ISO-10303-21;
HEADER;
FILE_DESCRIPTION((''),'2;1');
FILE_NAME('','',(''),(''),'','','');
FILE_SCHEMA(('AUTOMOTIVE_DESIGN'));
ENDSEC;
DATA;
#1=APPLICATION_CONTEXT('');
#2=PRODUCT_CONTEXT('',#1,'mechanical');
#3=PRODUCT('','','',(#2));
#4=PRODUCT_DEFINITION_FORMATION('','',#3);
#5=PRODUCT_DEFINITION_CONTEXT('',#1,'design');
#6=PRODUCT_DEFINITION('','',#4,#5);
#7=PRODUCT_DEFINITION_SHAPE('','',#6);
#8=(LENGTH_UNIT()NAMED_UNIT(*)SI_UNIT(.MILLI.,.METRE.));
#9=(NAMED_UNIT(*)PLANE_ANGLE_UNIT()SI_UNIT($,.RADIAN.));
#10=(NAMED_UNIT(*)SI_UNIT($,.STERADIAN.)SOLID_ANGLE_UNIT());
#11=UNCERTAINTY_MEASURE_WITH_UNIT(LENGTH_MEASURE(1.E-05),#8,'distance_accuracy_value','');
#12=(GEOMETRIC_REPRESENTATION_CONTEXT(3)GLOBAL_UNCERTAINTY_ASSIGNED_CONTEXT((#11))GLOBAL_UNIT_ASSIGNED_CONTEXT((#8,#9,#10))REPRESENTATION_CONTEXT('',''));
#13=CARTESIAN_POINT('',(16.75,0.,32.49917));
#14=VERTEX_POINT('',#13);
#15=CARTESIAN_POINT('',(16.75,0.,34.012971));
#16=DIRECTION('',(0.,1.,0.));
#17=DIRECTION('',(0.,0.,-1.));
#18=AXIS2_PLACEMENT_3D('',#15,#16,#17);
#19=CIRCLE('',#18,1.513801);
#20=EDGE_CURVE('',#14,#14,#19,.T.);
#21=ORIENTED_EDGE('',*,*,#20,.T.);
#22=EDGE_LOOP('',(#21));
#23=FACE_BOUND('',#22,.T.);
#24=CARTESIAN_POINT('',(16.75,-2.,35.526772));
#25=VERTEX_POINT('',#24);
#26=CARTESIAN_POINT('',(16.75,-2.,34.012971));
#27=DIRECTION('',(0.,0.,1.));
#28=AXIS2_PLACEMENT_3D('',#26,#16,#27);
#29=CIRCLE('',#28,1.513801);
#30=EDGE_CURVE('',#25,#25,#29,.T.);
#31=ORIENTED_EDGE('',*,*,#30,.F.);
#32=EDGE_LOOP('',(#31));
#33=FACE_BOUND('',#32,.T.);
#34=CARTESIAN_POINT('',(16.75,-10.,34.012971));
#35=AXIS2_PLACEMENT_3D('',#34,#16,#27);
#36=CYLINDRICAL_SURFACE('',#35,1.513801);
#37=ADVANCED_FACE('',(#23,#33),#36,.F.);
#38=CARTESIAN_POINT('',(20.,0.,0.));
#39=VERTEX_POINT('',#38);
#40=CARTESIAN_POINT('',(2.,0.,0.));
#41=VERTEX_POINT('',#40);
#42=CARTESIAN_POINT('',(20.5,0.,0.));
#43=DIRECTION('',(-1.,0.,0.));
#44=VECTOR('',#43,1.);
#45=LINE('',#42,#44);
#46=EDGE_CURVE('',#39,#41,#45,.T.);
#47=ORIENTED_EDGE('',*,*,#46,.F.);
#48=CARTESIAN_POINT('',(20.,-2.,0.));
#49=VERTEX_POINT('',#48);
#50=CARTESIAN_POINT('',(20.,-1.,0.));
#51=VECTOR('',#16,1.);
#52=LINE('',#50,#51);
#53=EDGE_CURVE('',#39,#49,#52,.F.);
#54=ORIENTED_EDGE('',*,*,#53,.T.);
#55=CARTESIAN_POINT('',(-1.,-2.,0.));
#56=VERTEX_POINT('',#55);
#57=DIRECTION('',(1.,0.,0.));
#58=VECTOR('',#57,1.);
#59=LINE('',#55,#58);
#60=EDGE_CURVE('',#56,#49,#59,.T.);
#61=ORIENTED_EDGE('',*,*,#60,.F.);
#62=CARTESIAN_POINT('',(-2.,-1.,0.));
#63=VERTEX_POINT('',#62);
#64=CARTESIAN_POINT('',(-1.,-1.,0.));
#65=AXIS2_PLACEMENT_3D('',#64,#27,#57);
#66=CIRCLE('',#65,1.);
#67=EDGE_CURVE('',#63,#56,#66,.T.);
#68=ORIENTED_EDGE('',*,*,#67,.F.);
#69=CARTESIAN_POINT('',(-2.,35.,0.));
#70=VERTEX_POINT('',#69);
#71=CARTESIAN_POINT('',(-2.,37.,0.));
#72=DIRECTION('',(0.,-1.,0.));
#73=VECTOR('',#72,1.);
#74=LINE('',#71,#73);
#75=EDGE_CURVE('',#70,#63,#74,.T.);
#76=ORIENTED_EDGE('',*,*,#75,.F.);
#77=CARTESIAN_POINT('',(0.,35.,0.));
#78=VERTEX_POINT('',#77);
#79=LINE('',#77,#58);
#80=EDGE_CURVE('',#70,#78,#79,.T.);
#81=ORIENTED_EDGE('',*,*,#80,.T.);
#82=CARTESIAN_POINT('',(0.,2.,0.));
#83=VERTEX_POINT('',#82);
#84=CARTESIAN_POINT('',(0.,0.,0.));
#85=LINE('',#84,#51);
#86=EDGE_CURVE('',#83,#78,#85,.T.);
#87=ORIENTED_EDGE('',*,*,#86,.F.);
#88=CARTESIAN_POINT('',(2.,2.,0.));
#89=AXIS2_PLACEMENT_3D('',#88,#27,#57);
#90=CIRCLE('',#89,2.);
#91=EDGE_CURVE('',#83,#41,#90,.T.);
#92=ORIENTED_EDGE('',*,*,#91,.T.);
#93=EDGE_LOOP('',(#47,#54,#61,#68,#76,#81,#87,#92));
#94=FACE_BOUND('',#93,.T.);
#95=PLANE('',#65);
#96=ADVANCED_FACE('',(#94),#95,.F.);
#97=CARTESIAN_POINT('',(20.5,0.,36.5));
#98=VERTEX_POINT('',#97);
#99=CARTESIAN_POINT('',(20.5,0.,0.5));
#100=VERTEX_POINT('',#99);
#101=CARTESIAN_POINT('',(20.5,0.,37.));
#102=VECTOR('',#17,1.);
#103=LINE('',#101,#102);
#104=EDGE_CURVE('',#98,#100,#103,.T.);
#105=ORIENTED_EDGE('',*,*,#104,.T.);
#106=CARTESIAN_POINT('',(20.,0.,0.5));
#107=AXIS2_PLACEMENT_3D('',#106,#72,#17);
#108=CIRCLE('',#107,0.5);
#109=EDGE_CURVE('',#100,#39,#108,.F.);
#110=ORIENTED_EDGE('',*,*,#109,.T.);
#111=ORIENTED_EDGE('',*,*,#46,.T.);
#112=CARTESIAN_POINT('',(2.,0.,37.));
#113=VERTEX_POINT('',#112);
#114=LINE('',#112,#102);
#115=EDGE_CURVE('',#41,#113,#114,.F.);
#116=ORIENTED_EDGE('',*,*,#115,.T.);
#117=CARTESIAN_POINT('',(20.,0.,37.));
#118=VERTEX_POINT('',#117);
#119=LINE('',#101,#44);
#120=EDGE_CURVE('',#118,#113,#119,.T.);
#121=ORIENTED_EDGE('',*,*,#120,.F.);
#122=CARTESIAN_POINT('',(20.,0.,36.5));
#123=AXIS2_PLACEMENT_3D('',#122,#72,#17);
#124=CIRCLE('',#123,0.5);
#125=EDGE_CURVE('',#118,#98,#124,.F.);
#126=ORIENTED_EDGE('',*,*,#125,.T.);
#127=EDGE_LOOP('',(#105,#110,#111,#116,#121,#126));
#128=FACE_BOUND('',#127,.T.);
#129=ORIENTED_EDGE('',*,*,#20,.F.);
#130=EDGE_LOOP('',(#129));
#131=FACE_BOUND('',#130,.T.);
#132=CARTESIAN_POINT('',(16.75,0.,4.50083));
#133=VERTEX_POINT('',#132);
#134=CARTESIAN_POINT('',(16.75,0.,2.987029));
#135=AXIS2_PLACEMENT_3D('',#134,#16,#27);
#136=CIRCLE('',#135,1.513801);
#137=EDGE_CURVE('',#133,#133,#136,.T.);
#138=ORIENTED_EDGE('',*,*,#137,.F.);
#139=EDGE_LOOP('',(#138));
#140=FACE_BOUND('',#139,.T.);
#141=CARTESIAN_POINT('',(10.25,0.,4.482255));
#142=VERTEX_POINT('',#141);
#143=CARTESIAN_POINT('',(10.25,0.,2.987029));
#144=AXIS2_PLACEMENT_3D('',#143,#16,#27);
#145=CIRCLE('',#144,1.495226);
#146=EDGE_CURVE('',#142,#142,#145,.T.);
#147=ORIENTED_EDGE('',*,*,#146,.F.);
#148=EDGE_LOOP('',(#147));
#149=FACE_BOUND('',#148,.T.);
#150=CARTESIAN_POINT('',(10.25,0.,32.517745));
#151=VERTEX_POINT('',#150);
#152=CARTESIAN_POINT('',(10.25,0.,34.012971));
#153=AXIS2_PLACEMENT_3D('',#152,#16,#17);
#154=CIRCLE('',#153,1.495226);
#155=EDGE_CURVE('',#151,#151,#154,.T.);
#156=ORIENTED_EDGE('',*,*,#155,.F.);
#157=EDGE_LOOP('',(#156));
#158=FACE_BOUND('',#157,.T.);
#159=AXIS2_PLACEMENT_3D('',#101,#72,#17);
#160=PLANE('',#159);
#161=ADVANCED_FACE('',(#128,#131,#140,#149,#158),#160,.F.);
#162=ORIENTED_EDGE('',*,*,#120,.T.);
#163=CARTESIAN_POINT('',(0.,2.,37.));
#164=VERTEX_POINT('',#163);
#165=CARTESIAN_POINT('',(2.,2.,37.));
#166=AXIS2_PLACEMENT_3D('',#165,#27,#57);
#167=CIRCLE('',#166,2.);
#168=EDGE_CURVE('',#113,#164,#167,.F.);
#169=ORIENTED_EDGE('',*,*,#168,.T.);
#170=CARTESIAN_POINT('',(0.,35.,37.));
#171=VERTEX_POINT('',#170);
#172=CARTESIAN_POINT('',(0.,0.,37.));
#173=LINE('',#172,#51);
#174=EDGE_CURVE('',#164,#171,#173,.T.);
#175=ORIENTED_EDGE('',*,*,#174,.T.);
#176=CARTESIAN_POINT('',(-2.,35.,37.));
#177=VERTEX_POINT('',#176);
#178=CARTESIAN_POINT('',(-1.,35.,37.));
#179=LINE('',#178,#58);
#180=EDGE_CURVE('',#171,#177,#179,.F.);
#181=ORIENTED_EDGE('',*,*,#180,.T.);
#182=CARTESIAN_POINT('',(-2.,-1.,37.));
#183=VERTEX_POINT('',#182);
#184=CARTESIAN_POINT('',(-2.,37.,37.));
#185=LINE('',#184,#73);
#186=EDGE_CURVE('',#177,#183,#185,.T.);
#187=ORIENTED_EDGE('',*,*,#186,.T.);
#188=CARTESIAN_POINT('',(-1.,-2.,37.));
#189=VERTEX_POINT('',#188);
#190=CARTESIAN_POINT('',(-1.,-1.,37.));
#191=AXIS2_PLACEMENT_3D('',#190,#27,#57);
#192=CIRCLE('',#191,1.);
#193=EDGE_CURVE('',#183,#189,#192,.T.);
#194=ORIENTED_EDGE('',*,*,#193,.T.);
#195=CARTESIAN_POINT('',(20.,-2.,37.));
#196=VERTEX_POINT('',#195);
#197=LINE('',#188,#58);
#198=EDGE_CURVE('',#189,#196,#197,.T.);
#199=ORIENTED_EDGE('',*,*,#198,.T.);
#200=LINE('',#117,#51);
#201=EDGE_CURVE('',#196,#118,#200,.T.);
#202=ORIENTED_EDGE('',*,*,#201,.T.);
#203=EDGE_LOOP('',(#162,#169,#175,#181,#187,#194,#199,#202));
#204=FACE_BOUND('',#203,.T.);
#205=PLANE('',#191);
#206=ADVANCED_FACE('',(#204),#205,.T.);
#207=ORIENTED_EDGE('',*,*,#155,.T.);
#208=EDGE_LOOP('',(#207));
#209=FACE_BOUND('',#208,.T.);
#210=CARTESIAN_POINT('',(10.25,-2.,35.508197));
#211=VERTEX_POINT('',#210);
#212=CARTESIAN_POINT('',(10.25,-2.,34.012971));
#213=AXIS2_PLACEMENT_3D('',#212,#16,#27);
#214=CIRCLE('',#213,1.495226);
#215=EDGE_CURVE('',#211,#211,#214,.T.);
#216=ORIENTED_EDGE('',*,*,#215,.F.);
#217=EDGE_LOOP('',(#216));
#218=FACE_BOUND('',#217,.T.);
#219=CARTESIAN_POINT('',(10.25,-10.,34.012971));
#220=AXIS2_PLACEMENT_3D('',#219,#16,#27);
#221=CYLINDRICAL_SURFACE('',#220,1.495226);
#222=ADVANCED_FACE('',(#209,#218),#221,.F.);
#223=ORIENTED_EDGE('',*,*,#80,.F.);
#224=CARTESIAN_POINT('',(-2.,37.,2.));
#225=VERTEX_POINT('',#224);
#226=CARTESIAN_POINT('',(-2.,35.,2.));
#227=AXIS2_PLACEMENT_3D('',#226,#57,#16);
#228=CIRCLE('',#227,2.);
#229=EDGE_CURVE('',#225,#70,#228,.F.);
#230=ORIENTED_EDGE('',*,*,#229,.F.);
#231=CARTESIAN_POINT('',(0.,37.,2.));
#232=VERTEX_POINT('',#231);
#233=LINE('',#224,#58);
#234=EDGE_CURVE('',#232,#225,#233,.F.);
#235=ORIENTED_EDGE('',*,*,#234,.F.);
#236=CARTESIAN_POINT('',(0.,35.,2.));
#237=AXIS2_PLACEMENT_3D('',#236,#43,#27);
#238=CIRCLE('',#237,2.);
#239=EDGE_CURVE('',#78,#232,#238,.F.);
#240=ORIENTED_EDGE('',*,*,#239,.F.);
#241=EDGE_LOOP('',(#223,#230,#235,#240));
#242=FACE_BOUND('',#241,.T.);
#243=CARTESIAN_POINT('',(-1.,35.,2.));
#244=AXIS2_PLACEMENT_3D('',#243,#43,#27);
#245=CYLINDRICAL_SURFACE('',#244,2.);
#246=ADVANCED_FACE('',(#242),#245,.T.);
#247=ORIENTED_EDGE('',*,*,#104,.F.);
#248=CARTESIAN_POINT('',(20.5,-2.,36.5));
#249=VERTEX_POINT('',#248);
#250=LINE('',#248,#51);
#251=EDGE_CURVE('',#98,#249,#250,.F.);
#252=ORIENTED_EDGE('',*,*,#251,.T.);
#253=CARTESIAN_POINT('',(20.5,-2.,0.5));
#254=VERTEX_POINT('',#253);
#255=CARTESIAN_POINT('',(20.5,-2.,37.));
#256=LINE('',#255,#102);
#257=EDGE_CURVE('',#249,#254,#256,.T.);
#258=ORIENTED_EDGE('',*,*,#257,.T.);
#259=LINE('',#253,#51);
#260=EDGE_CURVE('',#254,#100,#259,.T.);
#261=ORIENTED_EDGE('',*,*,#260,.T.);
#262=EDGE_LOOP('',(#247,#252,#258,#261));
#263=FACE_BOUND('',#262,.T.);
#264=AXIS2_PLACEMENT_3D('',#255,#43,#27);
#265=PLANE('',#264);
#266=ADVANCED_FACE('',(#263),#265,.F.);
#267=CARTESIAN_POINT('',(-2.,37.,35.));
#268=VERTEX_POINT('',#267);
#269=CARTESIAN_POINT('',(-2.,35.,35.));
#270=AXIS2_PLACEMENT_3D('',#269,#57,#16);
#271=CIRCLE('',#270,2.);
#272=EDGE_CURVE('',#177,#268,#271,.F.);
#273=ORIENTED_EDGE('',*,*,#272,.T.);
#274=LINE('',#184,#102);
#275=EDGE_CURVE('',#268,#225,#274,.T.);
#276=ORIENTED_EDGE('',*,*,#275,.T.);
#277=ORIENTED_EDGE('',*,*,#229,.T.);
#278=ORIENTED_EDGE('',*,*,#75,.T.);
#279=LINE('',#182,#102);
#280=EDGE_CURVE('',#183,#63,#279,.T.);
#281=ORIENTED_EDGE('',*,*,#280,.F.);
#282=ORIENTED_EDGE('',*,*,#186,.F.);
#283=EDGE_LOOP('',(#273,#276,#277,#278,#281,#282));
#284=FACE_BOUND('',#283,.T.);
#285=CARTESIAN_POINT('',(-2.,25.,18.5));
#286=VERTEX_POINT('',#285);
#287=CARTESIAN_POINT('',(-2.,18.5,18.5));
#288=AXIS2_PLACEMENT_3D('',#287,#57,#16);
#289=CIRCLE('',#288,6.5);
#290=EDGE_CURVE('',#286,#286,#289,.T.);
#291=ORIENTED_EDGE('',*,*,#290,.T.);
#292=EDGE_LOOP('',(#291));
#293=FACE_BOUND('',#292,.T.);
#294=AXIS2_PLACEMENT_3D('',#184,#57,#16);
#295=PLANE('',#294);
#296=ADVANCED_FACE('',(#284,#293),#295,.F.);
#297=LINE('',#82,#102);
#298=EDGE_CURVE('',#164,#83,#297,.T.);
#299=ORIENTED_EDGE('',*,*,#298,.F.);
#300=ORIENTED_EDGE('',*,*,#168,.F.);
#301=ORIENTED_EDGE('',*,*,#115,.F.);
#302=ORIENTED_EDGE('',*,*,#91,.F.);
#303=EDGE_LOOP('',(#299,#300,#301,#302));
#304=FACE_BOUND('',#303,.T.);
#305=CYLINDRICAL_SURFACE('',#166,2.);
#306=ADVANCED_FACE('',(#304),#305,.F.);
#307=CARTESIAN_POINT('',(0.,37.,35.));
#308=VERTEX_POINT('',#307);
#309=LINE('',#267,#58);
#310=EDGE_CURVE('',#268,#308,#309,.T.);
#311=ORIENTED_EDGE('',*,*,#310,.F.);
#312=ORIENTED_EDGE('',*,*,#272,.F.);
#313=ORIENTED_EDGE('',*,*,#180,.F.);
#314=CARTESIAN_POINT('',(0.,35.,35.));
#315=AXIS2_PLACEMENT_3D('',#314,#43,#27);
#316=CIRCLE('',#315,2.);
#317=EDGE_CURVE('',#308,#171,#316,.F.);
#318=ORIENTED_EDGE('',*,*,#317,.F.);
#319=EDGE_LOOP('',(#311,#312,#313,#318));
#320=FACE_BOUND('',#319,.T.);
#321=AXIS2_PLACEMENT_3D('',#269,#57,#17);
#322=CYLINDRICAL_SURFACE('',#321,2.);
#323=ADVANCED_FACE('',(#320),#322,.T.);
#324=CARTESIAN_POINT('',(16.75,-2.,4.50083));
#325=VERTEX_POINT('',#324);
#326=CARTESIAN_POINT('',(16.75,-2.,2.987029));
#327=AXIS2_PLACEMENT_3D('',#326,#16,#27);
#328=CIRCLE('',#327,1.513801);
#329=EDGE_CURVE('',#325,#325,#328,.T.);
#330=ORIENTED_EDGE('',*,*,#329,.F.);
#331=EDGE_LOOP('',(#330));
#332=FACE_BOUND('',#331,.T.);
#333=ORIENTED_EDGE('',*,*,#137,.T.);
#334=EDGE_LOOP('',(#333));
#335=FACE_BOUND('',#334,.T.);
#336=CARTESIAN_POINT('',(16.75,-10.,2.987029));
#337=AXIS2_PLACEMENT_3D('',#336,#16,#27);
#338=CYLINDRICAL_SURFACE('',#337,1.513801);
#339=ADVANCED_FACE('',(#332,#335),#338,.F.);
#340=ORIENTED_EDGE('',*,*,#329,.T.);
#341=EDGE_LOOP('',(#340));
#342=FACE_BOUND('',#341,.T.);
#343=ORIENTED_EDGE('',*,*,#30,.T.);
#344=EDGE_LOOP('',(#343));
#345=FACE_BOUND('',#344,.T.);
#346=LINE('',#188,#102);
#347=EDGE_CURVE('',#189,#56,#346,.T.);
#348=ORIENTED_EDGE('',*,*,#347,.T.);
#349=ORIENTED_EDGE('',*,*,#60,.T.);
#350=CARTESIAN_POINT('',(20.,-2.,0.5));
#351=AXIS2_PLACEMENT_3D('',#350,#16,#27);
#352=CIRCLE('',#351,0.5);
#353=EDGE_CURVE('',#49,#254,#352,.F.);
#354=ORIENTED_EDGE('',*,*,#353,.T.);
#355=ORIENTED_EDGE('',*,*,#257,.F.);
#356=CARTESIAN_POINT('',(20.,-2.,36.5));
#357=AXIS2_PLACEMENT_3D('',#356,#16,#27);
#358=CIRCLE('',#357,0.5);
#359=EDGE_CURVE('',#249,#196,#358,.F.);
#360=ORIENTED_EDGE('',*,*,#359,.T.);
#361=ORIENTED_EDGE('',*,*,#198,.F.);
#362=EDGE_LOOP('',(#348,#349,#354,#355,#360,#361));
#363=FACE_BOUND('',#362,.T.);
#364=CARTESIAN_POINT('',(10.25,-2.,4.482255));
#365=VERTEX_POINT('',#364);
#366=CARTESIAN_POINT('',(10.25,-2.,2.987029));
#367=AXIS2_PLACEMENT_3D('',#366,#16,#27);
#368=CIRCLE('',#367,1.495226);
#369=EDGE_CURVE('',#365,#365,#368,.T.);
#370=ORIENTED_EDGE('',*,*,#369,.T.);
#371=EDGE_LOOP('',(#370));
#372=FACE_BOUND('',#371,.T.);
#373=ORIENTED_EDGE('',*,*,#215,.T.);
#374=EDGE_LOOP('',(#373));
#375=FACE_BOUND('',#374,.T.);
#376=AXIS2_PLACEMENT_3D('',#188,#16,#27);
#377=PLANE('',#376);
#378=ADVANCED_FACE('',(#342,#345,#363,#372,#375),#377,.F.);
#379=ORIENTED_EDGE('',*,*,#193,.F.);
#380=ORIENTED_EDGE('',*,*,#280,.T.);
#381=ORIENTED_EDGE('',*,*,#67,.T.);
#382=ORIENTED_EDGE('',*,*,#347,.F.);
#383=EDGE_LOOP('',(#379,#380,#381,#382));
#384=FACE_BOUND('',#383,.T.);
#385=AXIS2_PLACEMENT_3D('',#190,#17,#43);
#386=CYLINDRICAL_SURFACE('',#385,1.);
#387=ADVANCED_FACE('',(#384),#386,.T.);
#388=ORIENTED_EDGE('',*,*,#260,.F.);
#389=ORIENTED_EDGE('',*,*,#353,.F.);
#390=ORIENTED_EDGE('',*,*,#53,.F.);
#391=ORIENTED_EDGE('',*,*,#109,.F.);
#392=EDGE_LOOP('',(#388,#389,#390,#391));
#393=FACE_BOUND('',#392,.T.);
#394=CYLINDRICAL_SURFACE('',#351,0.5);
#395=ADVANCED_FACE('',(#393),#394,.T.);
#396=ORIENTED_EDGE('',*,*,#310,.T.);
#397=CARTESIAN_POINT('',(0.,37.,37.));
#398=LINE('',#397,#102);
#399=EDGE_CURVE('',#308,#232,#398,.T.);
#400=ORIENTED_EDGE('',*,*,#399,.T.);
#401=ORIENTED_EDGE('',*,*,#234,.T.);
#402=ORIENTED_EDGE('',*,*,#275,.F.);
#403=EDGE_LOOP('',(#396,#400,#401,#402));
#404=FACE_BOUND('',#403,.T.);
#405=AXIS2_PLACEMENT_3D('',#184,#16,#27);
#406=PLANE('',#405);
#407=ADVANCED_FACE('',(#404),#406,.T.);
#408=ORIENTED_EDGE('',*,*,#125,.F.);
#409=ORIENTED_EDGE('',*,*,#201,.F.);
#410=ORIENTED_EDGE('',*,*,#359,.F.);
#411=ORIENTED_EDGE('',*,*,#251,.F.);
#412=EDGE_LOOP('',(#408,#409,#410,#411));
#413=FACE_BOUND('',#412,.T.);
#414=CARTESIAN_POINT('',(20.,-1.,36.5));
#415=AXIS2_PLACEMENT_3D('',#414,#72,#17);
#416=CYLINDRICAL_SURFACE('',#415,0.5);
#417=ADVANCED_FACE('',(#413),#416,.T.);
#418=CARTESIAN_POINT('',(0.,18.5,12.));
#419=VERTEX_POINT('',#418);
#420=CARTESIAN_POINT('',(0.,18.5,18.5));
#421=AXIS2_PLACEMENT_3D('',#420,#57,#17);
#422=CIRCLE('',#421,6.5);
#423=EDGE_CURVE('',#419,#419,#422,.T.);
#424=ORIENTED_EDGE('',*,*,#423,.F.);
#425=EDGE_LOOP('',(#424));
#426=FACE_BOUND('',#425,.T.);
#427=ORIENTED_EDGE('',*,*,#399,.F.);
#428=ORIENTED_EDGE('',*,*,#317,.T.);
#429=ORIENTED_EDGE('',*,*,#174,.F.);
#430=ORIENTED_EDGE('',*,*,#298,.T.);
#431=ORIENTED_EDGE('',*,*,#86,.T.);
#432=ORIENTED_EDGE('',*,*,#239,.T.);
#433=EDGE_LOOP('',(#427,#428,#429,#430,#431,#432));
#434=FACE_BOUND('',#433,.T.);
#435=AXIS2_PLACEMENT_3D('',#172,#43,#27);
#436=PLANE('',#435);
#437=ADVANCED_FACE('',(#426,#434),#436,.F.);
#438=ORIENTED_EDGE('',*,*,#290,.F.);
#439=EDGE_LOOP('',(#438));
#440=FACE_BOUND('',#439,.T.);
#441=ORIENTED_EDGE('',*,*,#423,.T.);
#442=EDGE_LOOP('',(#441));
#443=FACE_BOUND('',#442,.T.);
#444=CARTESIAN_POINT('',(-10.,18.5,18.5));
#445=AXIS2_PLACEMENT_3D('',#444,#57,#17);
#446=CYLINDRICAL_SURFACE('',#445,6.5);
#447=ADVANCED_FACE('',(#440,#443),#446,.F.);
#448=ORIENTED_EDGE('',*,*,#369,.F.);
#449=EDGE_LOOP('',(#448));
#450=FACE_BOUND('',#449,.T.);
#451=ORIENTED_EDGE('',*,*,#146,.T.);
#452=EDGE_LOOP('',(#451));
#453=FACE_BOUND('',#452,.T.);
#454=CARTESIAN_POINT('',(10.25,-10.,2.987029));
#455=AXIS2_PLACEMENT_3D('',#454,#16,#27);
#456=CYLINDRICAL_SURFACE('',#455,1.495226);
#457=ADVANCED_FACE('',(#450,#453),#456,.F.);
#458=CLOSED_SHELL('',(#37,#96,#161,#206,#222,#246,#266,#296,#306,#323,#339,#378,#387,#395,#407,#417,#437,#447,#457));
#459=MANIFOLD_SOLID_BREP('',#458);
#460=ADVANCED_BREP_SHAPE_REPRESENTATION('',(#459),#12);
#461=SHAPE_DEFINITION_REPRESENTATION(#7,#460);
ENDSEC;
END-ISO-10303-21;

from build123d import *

# Parameters (mm, degrees)
BOSS_EXTRUDE1_DEPTH = 37
SKETCH2_R           = 6.5
SKETCH2_R_2         = 1.5
CUT_EXTRUDE1_DEPTH  = 10
SKETCH3_R           = 1.513801081
SKETCH3_R_2         = 1.495226131
CUT_EXTRUDE2_DEPTH  = 10
FILLET1_R           = 2
FILLET3_R           = 0.5
SKETCH5_W           = 7.144886566
SKETCH5_H           = 37
BOSS_EXTRUDE3_DEPTH = 2
SKETCH6_R           = 2.342689667
BOSS_EXTRUDE4_DEPTH = 2
FILLET5_R           = 2


with BuildPart() as part:
    # Sketch1 → Boss-Extrude1 (new body)
    with BuildSketch(Plane.XY):
        with BuildLine():
            Line((0, 0), (0, 37))
            Line((0, 37), (-2, 37))
            Line((-2, 37), (-2, -1))
            ThreePointArc((-2, -1), (-1.707106781, -1.707106781), (-1, -2))
            Line((-1, -2), (20.5, -2))
            Line((20.5, -2), (20.5, 0))
            Line((20.5, 0), (0, 0))
        make_face()
    extrude(amount=BOSS_EXTRUDE1_DEPTH)

    # Sketch2 → Cut-Extrude1 (cut)
    with BuildSketch(Plane(origin=(0, 0, 0), x_dir=(0, 0, -1), z_dir=(1, 0, 0))):
        with Locations((-18.5, 18.5)):
            Circle(SKETCH2_R)
        with Locations((-18.5, 9)):
            Circle(SKETCH2_R_2)
    extrude(amount=-CUT_EXTRUDE1_DEPTH, mode=Mode.SUBTRACT)

    # Sketch3 → Cut-Extrude2 (cut)
    with BuildSketch(Plane(origin=(0, 0, 0), x_dir=(1, 0, 0), z_dir=(0, 1, 0))):
        with Locations(Location((16.75, -2.987028894, 0), (0, 0, 270))):
            Circle(SKETCH3_R)
        with Locations(Location((10.25, -2.987028894, 0), (0, 0, 270))):
            Circle(SKETCH3_R_2)
        with Locations(Location((4, -2.987028894, 0), (0, 0, 270))):
            Circle(SKETCH3_R_2)
        with Locations(Location((16.75, -34.012971106, 0), (0, 0, 270))):
            Circle(SKETCH3_R)
        with Locations(Location((10.25, -34.012971106, 0), (0, 0, 270))):
            Circle(SKETCH3_R_2)
        with Locations(Location((4, -34.012971106, 0), (0, 0, 270))):
            Circle(SKETCH3_R_2)
    extrude(amount=-CUT_EXTRUDE2_DEPTH, mode=Mode.SUBTRACT)

    # Fillet1
    fillet1_edges = [part.edges().sort_by_distance(p)[0] for p in [
        (-1, 37, 37),
        (-1, 37, 0),
    ]]
    fillet(fillet1_edges, radius=FILLET1_R)

    # Fillet3
    fillet3_edges = [part.edges().sort_by_distance(p)[0] for p in [
        (20.5, -1, 37),
        (20.5, -1, 0),
    ]]
    fillet(fillet3_edges, radius=FILLET3_R)

    # Sketch5 → Boss-Extrude3 (add)
    with BuildSketch(Plane(origin=(0, 0, 0), x_dir=(1, 0, 0), z_dir=(0, 1, 0))):
        with Locations((3.572443283, -18.5)):
            Rectangle(SKETCH5_W, SKETCH5_H)
    extrude(amount=-BOSS_EXTRUDE3_DEPTH)

    # Sketch6 → Boss-Extrude4 (add)
    with BuildSketch(Plane(origin=(0, 0, 0), x_dir=(0, 0, -1), z_dir=(1, 0, 0))):
        with Locations((-18.5, 9)):
            Circle(SKETCH6_R)
    extrude(amount=-BOSS_EXTRUDE4_DEPTH)

    # Fillet5
    fillet5_edges = [part.edges().sort_by_distance(p)[0] for p in [
        (0, 0, 18.5),
    ]]
    fillet(fillet5_edges, radius=FILLET5_R)


solid = part.part
